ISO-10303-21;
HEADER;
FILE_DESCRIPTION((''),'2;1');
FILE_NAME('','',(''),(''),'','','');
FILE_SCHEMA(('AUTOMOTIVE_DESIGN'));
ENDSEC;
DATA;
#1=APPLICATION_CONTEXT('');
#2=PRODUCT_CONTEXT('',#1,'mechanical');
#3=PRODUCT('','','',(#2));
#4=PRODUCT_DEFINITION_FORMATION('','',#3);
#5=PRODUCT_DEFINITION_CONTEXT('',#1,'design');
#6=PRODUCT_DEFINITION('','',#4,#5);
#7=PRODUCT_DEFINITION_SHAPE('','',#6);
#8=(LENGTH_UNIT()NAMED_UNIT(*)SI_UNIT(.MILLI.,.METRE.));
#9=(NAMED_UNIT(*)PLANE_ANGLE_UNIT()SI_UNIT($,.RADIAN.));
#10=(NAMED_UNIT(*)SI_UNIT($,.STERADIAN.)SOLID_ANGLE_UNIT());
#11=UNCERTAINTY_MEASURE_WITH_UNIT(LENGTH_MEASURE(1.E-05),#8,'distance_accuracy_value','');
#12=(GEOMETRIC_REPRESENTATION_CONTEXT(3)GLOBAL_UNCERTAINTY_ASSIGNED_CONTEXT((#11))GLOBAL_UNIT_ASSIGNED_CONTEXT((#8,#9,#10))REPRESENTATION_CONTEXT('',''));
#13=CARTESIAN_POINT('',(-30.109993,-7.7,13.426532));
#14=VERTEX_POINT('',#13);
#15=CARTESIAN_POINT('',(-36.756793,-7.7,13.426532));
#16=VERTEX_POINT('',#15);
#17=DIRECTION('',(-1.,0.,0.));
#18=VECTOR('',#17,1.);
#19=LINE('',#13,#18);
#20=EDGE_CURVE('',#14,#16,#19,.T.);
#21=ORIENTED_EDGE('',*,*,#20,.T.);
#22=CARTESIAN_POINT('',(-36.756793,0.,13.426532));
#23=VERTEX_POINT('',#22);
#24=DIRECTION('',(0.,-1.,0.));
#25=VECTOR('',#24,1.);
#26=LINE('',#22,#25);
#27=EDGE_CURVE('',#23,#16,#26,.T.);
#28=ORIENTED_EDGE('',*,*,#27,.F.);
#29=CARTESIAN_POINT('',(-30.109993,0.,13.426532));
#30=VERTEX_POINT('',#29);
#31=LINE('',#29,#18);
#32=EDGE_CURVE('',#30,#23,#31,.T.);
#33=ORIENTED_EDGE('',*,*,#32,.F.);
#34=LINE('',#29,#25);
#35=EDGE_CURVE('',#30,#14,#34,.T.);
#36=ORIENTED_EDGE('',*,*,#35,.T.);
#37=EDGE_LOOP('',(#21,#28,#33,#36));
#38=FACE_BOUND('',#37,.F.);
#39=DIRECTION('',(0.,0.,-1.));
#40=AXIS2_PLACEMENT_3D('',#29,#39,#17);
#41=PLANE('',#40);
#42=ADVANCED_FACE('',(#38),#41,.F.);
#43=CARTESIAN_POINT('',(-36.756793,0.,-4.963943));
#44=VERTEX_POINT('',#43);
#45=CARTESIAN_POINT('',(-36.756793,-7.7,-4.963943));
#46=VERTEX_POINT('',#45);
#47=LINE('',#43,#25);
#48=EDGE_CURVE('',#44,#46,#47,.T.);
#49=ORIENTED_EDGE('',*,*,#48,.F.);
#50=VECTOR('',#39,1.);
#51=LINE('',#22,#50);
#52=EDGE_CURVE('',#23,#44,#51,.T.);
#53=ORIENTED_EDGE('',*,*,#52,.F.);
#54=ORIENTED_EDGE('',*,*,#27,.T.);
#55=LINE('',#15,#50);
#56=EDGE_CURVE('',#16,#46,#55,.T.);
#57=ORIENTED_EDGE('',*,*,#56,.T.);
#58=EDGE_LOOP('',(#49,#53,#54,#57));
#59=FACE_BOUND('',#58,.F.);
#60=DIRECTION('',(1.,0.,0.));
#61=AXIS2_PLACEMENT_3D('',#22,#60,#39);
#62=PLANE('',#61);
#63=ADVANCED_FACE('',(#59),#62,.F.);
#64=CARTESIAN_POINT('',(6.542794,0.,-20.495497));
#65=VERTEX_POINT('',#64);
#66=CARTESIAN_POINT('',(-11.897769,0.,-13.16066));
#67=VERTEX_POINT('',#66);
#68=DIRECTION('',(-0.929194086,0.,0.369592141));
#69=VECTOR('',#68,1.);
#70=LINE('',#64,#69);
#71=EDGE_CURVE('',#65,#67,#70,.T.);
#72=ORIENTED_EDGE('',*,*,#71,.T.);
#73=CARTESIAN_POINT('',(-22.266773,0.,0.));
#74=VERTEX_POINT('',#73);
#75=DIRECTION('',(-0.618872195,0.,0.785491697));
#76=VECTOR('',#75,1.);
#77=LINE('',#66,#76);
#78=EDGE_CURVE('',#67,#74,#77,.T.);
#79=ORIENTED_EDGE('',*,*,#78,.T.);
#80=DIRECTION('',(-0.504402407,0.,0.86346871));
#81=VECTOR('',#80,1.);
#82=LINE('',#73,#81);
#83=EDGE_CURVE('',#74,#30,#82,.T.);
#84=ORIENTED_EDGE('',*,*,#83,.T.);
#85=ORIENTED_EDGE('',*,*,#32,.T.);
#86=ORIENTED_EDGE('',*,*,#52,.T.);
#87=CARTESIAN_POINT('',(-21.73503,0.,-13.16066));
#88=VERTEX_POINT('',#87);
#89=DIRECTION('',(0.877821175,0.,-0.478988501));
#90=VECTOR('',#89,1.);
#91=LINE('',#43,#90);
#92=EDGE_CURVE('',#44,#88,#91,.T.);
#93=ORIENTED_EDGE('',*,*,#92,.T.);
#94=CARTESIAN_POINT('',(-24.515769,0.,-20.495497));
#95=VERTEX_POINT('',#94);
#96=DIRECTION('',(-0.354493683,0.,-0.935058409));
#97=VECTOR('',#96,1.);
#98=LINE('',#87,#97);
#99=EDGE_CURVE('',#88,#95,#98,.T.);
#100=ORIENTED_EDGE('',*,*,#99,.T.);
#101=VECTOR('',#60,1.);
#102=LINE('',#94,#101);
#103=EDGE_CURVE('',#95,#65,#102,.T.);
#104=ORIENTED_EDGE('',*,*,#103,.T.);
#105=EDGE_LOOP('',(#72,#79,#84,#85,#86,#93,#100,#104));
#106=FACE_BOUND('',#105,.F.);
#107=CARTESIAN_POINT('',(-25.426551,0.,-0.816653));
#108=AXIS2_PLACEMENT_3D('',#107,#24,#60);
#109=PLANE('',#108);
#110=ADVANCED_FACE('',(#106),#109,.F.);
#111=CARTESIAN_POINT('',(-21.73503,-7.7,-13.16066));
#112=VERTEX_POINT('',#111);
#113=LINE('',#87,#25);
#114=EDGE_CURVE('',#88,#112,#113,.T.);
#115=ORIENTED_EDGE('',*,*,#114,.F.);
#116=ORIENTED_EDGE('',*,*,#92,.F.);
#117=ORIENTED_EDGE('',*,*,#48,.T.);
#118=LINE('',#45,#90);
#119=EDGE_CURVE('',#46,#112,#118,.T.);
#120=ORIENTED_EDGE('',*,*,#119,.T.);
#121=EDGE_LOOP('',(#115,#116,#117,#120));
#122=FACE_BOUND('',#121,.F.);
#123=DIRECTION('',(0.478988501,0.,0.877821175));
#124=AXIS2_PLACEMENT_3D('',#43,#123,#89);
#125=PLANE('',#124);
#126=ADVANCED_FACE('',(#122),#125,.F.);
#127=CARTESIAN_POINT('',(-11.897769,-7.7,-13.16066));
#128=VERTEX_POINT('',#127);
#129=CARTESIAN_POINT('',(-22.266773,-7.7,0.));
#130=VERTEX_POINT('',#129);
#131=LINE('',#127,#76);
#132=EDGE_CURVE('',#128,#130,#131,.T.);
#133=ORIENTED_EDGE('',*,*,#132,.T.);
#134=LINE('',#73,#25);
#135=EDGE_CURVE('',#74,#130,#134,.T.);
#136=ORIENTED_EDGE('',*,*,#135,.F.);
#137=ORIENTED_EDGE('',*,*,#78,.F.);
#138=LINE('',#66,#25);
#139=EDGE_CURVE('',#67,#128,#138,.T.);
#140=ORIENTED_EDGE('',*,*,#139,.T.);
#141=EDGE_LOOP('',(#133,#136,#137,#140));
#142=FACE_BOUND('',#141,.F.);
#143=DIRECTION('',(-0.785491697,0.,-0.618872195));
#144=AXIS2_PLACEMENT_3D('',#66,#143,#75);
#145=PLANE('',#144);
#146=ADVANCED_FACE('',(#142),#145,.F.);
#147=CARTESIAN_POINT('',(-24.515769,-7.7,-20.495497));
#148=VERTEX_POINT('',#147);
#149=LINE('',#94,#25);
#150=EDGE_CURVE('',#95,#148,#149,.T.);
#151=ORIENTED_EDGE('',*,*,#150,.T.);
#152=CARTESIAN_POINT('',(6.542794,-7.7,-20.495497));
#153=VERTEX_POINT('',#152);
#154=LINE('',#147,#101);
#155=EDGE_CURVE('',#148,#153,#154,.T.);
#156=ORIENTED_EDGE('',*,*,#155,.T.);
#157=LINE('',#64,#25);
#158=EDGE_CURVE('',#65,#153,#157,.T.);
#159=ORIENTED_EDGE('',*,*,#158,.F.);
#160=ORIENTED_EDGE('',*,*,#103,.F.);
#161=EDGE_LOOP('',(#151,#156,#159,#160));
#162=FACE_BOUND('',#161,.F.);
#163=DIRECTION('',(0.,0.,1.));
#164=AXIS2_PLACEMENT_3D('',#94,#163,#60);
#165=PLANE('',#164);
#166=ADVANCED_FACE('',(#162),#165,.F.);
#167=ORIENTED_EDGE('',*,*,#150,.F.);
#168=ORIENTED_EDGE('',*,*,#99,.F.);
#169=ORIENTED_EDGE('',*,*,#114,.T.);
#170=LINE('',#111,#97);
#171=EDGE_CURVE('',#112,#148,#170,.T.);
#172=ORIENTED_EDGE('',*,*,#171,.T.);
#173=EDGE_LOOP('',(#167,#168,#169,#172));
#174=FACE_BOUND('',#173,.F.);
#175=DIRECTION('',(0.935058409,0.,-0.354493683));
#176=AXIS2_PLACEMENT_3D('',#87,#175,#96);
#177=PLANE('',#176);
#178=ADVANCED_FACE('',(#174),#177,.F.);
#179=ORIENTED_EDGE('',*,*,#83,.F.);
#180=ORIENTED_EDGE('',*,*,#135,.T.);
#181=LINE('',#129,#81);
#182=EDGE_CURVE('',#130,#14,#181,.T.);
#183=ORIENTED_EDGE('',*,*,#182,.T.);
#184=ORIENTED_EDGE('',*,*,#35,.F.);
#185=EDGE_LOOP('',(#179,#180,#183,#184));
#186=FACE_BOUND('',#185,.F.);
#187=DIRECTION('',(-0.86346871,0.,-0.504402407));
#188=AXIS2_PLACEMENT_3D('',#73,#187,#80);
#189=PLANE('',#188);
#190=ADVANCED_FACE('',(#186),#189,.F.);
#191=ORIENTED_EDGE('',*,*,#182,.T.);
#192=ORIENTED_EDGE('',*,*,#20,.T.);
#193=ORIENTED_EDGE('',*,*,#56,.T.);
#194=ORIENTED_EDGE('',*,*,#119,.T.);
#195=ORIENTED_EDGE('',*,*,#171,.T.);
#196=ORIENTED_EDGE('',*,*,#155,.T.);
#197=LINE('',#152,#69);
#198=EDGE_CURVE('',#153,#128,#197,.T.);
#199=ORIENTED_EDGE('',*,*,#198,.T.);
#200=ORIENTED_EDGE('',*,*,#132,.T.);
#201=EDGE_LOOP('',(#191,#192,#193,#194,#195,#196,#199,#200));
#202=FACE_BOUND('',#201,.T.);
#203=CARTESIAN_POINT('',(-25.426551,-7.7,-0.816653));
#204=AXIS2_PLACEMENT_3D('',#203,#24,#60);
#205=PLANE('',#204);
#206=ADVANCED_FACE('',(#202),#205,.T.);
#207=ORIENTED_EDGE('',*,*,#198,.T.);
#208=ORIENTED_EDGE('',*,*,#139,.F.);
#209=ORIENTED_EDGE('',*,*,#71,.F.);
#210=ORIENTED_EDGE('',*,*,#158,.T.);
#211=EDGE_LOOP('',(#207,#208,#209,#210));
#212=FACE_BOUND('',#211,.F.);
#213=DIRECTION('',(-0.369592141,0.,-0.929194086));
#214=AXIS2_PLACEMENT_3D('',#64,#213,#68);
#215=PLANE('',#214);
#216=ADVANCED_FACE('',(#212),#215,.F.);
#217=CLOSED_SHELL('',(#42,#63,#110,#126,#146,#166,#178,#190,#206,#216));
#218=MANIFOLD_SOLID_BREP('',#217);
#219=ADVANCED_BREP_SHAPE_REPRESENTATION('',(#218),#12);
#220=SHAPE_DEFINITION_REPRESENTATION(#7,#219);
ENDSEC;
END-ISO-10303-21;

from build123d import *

# Parameters (mm, degrees)
F1_DEPTH = 7.7


with BuildPart() as f1:
    # F0 (on Front) → F1 (new body)
    with BuildSketch(Plane.XZ):
        Polygon((-30.109993, 13.426532), (-36.756793, 13.426532), (-31.572289, -1.861103), (-21.73503, -13.16066), (-11.897769, -13.16066), (-22.266773, 0), align=None)
        Polygon((-31.572289, -1.861103), (-36.756793, 13.426532), (-36.756793, -4.963943), (-21.73503, -13.16066), align=None)
        Polygon((-11.897769, -13.16066), (-21.73503, -13.16066), (-15.544919, -15.920161), (-5.281532, -20.495497), (6.542794, -20.495497), align=None)
        Polygon((-15.544919, -15.920161), (-21.73503, -13.16066), (-24.515769, -20.495497), (-21.73503, -20.495497), align=None)
        Polygon((-5.281532, -20.495497), (-15.544919, -15.920161), (-21.73503, -20.495497), align=None)
    extrude(amount=F1_DEPTH)


solid = f1.part
